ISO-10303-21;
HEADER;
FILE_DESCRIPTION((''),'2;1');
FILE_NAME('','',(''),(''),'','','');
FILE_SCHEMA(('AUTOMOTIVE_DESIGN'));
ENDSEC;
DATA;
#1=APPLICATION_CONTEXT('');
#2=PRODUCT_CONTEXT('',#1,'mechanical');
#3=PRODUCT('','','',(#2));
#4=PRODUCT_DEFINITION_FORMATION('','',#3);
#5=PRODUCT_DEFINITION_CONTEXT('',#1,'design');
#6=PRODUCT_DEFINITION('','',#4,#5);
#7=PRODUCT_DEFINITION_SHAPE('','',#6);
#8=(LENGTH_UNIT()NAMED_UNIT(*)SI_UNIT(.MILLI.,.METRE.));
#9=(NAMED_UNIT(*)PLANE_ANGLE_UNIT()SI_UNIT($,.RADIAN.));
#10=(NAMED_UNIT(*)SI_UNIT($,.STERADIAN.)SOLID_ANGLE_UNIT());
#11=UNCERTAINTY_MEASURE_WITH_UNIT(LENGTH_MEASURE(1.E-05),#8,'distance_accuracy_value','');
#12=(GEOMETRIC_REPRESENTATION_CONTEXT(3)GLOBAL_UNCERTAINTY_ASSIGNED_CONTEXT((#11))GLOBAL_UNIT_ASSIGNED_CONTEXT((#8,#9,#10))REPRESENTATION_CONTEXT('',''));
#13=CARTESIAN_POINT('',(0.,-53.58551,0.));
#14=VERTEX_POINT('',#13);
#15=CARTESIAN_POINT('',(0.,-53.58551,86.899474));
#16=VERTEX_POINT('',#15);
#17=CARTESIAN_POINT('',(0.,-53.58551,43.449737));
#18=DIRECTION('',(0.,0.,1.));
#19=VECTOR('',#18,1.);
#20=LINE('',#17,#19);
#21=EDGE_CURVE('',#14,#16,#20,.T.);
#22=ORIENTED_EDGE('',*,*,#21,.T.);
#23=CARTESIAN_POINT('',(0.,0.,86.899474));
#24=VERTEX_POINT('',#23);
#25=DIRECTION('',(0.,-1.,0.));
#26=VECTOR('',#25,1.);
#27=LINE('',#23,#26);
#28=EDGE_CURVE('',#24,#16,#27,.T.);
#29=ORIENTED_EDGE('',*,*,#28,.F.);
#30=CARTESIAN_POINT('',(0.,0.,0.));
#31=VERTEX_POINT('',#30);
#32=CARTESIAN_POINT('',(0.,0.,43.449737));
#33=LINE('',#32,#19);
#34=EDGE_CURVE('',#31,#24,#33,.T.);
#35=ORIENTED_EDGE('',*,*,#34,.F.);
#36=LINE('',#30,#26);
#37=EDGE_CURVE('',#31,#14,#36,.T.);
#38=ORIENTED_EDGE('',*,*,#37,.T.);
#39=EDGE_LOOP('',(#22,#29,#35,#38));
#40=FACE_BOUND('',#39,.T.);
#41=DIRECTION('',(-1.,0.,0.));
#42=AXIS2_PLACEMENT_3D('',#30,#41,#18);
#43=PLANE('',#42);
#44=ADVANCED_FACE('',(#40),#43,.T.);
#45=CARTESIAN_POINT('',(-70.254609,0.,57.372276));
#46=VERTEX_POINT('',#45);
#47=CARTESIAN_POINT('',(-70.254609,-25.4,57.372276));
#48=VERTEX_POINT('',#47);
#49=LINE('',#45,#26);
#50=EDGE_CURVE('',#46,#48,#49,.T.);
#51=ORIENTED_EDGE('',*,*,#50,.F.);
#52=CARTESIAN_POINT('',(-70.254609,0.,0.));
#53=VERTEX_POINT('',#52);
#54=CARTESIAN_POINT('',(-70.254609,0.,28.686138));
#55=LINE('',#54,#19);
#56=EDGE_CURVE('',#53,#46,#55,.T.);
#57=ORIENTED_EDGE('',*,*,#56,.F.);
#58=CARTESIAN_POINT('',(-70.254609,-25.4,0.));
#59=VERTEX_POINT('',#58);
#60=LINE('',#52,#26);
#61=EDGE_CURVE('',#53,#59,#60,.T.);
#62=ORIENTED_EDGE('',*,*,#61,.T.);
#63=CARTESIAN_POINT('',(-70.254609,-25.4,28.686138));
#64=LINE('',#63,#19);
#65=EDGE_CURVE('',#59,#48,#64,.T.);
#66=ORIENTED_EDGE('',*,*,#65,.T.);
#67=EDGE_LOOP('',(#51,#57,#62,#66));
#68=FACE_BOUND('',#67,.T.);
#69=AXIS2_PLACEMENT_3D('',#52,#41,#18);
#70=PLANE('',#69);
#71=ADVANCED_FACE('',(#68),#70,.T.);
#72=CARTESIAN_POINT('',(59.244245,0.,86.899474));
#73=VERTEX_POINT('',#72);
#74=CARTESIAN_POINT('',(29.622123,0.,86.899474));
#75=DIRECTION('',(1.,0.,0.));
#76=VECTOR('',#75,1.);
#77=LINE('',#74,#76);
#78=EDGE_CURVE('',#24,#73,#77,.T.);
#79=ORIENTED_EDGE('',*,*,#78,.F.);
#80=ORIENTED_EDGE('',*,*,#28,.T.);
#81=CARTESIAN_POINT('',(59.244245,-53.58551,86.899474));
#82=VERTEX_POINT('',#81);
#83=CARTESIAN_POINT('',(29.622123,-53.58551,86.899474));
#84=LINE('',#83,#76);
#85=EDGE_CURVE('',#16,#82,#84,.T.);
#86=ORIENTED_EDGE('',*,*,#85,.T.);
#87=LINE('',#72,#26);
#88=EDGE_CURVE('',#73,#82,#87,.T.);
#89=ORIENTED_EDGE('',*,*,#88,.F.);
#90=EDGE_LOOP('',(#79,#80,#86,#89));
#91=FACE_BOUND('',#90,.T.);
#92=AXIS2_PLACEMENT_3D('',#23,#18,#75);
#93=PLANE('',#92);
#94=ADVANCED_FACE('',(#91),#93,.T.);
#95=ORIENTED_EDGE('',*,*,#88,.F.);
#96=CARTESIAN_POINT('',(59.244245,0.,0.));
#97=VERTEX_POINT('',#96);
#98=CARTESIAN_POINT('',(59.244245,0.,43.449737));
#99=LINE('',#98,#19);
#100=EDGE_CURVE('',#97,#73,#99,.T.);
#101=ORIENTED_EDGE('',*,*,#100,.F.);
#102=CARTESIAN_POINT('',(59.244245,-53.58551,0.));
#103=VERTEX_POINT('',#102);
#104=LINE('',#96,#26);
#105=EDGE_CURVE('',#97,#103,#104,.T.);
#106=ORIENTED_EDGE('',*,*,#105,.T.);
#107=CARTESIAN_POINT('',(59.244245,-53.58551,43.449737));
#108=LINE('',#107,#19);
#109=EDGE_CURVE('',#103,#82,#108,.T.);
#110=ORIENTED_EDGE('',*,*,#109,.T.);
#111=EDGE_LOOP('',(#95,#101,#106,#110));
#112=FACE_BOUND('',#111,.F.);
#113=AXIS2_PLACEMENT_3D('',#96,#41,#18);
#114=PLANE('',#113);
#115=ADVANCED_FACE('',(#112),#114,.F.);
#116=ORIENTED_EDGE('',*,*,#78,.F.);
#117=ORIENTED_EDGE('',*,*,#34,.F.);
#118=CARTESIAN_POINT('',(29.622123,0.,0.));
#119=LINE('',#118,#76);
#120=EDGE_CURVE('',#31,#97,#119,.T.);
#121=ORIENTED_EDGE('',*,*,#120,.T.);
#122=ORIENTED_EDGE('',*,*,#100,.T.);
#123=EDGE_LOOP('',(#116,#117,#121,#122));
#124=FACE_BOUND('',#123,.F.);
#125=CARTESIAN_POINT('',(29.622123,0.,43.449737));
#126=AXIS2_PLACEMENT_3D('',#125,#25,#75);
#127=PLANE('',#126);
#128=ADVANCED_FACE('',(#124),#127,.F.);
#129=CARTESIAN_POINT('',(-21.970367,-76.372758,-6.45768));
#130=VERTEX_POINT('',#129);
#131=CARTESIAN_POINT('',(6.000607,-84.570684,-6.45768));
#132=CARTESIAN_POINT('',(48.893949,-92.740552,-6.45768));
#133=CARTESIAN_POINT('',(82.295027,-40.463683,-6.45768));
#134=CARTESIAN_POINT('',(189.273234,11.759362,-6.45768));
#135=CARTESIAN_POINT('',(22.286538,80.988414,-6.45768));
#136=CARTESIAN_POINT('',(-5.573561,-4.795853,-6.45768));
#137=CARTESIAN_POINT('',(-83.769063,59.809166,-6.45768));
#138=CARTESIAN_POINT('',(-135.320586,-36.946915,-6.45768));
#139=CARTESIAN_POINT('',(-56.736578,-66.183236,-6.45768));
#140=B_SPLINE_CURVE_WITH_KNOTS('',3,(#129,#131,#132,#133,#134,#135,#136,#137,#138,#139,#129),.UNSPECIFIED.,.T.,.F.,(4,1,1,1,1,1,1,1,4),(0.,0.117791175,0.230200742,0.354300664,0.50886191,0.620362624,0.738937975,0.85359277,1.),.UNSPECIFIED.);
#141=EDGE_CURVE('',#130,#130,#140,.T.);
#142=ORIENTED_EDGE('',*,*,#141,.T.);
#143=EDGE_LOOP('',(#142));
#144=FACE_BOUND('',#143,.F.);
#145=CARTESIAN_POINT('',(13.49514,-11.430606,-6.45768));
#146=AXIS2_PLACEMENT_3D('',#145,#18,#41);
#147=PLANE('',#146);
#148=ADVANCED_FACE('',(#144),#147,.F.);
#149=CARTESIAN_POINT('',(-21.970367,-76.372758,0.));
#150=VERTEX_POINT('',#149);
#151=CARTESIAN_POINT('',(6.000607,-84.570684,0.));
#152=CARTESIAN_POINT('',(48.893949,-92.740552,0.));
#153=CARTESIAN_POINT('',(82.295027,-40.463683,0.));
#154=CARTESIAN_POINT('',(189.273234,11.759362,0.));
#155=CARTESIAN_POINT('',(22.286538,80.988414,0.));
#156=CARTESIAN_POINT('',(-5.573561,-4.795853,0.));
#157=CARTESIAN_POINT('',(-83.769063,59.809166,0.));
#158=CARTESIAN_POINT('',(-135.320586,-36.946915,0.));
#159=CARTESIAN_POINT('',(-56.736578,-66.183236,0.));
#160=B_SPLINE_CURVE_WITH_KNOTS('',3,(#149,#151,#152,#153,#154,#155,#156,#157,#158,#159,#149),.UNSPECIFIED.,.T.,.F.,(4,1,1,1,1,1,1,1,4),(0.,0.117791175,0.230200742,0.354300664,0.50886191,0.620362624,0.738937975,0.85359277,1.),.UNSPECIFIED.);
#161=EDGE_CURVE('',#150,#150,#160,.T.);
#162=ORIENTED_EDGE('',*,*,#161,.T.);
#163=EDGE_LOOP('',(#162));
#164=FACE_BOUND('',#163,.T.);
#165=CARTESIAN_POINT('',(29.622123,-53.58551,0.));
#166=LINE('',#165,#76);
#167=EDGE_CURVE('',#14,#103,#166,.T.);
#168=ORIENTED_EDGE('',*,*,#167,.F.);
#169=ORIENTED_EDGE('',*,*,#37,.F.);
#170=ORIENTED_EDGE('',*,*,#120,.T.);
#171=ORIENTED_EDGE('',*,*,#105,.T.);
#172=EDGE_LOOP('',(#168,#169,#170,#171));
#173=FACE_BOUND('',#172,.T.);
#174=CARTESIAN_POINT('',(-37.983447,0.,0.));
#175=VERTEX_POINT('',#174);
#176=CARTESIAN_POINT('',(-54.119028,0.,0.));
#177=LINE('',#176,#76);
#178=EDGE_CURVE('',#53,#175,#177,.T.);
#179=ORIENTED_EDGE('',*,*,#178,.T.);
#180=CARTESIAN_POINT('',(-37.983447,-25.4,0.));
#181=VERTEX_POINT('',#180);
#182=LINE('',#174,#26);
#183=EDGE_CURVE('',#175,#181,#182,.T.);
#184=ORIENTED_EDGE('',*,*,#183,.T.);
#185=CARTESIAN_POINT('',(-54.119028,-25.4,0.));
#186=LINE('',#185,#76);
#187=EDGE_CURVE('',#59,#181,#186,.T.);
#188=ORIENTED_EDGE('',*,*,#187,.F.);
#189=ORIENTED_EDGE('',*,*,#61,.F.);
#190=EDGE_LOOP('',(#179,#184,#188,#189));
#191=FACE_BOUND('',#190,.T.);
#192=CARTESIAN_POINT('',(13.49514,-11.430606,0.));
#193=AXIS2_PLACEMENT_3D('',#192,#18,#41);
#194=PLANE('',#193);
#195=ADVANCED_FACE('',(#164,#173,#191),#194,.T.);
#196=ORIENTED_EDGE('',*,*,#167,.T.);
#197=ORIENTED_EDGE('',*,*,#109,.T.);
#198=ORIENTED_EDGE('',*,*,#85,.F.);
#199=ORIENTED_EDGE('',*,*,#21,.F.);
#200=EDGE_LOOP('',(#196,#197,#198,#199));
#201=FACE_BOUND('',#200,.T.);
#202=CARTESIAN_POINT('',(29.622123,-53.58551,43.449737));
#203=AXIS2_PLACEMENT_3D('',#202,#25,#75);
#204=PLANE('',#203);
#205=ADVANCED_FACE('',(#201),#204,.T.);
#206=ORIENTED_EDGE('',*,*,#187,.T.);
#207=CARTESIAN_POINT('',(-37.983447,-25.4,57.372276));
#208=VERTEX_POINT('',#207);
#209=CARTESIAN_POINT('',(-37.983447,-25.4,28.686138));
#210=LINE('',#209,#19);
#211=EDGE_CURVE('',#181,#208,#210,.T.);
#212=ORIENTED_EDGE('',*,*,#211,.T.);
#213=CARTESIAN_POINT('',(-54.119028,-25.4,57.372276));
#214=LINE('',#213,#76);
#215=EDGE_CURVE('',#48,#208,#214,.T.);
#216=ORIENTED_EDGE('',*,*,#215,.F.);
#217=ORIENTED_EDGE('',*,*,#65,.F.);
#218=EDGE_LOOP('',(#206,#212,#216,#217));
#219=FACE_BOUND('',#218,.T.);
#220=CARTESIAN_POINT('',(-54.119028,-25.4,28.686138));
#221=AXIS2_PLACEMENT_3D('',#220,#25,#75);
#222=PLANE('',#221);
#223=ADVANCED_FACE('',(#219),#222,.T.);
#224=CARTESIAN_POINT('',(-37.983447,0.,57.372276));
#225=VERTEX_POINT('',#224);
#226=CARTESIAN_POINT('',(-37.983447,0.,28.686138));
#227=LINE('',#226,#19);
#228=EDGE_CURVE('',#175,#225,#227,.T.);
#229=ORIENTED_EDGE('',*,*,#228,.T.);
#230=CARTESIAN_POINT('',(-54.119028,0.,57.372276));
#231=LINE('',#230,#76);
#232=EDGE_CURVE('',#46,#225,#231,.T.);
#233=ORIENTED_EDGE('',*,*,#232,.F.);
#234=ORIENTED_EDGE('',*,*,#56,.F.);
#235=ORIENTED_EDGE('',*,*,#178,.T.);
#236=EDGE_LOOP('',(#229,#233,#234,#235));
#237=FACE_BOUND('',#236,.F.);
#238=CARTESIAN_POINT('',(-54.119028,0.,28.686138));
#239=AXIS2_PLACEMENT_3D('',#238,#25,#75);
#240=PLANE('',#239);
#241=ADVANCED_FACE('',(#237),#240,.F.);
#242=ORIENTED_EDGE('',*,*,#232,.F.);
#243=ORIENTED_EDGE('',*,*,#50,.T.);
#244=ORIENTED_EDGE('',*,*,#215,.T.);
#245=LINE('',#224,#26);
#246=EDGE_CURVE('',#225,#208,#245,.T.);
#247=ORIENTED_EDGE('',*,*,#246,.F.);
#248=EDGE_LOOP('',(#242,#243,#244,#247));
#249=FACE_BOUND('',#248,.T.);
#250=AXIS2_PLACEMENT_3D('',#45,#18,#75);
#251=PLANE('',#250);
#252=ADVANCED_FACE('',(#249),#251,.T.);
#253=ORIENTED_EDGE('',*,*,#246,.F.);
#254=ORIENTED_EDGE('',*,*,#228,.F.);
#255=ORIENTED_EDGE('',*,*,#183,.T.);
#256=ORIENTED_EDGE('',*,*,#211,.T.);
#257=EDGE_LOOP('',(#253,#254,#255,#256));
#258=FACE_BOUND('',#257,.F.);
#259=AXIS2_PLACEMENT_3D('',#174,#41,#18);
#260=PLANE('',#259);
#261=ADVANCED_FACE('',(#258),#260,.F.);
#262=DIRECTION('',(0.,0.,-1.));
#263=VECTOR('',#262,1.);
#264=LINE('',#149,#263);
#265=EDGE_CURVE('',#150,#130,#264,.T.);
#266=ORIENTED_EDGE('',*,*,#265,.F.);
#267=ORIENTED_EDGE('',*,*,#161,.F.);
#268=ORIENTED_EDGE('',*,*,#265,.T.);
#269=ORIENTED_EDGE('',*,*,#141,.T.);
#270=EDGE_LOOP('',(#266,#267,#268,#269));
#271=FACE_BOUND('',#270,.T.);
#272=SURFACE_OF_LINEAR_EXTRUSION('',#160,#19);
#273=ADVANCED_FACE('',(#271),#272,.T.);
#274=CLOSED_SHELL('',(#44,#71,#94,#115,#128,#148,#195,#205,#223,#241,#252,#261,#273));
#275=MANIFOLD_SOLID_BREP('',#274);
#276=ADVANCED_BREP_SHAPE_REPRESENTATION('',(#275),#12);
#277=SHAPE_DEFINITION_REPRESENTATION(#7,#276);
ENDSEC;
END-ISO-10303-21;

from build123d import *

# Parameters (mm, degrees)
F0_W     = 59.2442452908
F0_H     = 86.8994742632
F1_DEPTH = 53.58551
F2_W     = 32.2711616755
F2_H     = 57.3722757399
F3_DEPTH = 25.4
F4_W     = 32.2711616755
F4_H     = 25.4
F4_W_2   = 59.2442452908
F4_H_2   = 53.58551
F5_DEPTH = 6.45768


with BuildPart() as f1:
    # F0 (on Front) → F1 (new body)
    with BuildSketch(Plane.XZ):
        with Locations((29.6221226454, 43.4497371316)):
            Rectangle(F0_W, F0_H)
    extrude(amount=F1_DEPTH)



with BuildPart() as f3:
    # F2 (on Front) → F3 (new body)
    with BuildSketch(Plane.XZ):
        with Locations((-54.119028151, 28.68613787)):
            Rectangle(F2_W, F2_H)
    extrude(amount=F3_DEPTH)


with BuildPart() as f1_1:
    add(f1.part)

    add(f3.part)  # F5 merges F3
    # F4 (on face) → F5 (join)
    with BuildSketch(Plane(origin=(0, 0, 0), x_dir=(1, 0, 0), z_dir=(0, 0, -1))):
        with BuildLine():
            add(Edge.make_bspline(
                [(-21.9703670591, 76.3727575541), (6.0006067765, 84.5706837974), (48.8939489341, 92.740552183), (82.2950265666, 40.4636833627), (189.2732342742, -11.7593615973), (22.2865377101, -80.9884135333), (-5.5735611462, 4.7958526844), (-83.7690629855, -59.8091662524), (-135.3205861901, 36.9469152542), (-56.736577739, 66.1832363529), (-21.9703670591, 76.3727575541)],
                knots=[0, 0, 0, 0, 0.1177911746, 0.2302007419, 0.3543006643, 0.5088619105, 0.6203626236, 0.7389379751, 0.8535927703, 1, 1, 1, 1], degree=3))
        make_face()
        with Locations((-54.119028151, 12.7)):
            Rectangle(F4_W, F4_H, mode=Mode.SUBTRACT)
        with Locations((29.6221226454, 26.792755)):
            Rectangle(F4_W_2, F4_H_2, mode=Mode.SUBTRACT)
        with Locations((29.6221226454, 26.792755)):
            Rectangle(F4_W_2, F4_H_2)
        with Locations((-54.119028151, 12.7)):
            Rectangle(F4_W, F4_H)
    extrude(amount=F5_DEPTH)


solid = f1_1.part
